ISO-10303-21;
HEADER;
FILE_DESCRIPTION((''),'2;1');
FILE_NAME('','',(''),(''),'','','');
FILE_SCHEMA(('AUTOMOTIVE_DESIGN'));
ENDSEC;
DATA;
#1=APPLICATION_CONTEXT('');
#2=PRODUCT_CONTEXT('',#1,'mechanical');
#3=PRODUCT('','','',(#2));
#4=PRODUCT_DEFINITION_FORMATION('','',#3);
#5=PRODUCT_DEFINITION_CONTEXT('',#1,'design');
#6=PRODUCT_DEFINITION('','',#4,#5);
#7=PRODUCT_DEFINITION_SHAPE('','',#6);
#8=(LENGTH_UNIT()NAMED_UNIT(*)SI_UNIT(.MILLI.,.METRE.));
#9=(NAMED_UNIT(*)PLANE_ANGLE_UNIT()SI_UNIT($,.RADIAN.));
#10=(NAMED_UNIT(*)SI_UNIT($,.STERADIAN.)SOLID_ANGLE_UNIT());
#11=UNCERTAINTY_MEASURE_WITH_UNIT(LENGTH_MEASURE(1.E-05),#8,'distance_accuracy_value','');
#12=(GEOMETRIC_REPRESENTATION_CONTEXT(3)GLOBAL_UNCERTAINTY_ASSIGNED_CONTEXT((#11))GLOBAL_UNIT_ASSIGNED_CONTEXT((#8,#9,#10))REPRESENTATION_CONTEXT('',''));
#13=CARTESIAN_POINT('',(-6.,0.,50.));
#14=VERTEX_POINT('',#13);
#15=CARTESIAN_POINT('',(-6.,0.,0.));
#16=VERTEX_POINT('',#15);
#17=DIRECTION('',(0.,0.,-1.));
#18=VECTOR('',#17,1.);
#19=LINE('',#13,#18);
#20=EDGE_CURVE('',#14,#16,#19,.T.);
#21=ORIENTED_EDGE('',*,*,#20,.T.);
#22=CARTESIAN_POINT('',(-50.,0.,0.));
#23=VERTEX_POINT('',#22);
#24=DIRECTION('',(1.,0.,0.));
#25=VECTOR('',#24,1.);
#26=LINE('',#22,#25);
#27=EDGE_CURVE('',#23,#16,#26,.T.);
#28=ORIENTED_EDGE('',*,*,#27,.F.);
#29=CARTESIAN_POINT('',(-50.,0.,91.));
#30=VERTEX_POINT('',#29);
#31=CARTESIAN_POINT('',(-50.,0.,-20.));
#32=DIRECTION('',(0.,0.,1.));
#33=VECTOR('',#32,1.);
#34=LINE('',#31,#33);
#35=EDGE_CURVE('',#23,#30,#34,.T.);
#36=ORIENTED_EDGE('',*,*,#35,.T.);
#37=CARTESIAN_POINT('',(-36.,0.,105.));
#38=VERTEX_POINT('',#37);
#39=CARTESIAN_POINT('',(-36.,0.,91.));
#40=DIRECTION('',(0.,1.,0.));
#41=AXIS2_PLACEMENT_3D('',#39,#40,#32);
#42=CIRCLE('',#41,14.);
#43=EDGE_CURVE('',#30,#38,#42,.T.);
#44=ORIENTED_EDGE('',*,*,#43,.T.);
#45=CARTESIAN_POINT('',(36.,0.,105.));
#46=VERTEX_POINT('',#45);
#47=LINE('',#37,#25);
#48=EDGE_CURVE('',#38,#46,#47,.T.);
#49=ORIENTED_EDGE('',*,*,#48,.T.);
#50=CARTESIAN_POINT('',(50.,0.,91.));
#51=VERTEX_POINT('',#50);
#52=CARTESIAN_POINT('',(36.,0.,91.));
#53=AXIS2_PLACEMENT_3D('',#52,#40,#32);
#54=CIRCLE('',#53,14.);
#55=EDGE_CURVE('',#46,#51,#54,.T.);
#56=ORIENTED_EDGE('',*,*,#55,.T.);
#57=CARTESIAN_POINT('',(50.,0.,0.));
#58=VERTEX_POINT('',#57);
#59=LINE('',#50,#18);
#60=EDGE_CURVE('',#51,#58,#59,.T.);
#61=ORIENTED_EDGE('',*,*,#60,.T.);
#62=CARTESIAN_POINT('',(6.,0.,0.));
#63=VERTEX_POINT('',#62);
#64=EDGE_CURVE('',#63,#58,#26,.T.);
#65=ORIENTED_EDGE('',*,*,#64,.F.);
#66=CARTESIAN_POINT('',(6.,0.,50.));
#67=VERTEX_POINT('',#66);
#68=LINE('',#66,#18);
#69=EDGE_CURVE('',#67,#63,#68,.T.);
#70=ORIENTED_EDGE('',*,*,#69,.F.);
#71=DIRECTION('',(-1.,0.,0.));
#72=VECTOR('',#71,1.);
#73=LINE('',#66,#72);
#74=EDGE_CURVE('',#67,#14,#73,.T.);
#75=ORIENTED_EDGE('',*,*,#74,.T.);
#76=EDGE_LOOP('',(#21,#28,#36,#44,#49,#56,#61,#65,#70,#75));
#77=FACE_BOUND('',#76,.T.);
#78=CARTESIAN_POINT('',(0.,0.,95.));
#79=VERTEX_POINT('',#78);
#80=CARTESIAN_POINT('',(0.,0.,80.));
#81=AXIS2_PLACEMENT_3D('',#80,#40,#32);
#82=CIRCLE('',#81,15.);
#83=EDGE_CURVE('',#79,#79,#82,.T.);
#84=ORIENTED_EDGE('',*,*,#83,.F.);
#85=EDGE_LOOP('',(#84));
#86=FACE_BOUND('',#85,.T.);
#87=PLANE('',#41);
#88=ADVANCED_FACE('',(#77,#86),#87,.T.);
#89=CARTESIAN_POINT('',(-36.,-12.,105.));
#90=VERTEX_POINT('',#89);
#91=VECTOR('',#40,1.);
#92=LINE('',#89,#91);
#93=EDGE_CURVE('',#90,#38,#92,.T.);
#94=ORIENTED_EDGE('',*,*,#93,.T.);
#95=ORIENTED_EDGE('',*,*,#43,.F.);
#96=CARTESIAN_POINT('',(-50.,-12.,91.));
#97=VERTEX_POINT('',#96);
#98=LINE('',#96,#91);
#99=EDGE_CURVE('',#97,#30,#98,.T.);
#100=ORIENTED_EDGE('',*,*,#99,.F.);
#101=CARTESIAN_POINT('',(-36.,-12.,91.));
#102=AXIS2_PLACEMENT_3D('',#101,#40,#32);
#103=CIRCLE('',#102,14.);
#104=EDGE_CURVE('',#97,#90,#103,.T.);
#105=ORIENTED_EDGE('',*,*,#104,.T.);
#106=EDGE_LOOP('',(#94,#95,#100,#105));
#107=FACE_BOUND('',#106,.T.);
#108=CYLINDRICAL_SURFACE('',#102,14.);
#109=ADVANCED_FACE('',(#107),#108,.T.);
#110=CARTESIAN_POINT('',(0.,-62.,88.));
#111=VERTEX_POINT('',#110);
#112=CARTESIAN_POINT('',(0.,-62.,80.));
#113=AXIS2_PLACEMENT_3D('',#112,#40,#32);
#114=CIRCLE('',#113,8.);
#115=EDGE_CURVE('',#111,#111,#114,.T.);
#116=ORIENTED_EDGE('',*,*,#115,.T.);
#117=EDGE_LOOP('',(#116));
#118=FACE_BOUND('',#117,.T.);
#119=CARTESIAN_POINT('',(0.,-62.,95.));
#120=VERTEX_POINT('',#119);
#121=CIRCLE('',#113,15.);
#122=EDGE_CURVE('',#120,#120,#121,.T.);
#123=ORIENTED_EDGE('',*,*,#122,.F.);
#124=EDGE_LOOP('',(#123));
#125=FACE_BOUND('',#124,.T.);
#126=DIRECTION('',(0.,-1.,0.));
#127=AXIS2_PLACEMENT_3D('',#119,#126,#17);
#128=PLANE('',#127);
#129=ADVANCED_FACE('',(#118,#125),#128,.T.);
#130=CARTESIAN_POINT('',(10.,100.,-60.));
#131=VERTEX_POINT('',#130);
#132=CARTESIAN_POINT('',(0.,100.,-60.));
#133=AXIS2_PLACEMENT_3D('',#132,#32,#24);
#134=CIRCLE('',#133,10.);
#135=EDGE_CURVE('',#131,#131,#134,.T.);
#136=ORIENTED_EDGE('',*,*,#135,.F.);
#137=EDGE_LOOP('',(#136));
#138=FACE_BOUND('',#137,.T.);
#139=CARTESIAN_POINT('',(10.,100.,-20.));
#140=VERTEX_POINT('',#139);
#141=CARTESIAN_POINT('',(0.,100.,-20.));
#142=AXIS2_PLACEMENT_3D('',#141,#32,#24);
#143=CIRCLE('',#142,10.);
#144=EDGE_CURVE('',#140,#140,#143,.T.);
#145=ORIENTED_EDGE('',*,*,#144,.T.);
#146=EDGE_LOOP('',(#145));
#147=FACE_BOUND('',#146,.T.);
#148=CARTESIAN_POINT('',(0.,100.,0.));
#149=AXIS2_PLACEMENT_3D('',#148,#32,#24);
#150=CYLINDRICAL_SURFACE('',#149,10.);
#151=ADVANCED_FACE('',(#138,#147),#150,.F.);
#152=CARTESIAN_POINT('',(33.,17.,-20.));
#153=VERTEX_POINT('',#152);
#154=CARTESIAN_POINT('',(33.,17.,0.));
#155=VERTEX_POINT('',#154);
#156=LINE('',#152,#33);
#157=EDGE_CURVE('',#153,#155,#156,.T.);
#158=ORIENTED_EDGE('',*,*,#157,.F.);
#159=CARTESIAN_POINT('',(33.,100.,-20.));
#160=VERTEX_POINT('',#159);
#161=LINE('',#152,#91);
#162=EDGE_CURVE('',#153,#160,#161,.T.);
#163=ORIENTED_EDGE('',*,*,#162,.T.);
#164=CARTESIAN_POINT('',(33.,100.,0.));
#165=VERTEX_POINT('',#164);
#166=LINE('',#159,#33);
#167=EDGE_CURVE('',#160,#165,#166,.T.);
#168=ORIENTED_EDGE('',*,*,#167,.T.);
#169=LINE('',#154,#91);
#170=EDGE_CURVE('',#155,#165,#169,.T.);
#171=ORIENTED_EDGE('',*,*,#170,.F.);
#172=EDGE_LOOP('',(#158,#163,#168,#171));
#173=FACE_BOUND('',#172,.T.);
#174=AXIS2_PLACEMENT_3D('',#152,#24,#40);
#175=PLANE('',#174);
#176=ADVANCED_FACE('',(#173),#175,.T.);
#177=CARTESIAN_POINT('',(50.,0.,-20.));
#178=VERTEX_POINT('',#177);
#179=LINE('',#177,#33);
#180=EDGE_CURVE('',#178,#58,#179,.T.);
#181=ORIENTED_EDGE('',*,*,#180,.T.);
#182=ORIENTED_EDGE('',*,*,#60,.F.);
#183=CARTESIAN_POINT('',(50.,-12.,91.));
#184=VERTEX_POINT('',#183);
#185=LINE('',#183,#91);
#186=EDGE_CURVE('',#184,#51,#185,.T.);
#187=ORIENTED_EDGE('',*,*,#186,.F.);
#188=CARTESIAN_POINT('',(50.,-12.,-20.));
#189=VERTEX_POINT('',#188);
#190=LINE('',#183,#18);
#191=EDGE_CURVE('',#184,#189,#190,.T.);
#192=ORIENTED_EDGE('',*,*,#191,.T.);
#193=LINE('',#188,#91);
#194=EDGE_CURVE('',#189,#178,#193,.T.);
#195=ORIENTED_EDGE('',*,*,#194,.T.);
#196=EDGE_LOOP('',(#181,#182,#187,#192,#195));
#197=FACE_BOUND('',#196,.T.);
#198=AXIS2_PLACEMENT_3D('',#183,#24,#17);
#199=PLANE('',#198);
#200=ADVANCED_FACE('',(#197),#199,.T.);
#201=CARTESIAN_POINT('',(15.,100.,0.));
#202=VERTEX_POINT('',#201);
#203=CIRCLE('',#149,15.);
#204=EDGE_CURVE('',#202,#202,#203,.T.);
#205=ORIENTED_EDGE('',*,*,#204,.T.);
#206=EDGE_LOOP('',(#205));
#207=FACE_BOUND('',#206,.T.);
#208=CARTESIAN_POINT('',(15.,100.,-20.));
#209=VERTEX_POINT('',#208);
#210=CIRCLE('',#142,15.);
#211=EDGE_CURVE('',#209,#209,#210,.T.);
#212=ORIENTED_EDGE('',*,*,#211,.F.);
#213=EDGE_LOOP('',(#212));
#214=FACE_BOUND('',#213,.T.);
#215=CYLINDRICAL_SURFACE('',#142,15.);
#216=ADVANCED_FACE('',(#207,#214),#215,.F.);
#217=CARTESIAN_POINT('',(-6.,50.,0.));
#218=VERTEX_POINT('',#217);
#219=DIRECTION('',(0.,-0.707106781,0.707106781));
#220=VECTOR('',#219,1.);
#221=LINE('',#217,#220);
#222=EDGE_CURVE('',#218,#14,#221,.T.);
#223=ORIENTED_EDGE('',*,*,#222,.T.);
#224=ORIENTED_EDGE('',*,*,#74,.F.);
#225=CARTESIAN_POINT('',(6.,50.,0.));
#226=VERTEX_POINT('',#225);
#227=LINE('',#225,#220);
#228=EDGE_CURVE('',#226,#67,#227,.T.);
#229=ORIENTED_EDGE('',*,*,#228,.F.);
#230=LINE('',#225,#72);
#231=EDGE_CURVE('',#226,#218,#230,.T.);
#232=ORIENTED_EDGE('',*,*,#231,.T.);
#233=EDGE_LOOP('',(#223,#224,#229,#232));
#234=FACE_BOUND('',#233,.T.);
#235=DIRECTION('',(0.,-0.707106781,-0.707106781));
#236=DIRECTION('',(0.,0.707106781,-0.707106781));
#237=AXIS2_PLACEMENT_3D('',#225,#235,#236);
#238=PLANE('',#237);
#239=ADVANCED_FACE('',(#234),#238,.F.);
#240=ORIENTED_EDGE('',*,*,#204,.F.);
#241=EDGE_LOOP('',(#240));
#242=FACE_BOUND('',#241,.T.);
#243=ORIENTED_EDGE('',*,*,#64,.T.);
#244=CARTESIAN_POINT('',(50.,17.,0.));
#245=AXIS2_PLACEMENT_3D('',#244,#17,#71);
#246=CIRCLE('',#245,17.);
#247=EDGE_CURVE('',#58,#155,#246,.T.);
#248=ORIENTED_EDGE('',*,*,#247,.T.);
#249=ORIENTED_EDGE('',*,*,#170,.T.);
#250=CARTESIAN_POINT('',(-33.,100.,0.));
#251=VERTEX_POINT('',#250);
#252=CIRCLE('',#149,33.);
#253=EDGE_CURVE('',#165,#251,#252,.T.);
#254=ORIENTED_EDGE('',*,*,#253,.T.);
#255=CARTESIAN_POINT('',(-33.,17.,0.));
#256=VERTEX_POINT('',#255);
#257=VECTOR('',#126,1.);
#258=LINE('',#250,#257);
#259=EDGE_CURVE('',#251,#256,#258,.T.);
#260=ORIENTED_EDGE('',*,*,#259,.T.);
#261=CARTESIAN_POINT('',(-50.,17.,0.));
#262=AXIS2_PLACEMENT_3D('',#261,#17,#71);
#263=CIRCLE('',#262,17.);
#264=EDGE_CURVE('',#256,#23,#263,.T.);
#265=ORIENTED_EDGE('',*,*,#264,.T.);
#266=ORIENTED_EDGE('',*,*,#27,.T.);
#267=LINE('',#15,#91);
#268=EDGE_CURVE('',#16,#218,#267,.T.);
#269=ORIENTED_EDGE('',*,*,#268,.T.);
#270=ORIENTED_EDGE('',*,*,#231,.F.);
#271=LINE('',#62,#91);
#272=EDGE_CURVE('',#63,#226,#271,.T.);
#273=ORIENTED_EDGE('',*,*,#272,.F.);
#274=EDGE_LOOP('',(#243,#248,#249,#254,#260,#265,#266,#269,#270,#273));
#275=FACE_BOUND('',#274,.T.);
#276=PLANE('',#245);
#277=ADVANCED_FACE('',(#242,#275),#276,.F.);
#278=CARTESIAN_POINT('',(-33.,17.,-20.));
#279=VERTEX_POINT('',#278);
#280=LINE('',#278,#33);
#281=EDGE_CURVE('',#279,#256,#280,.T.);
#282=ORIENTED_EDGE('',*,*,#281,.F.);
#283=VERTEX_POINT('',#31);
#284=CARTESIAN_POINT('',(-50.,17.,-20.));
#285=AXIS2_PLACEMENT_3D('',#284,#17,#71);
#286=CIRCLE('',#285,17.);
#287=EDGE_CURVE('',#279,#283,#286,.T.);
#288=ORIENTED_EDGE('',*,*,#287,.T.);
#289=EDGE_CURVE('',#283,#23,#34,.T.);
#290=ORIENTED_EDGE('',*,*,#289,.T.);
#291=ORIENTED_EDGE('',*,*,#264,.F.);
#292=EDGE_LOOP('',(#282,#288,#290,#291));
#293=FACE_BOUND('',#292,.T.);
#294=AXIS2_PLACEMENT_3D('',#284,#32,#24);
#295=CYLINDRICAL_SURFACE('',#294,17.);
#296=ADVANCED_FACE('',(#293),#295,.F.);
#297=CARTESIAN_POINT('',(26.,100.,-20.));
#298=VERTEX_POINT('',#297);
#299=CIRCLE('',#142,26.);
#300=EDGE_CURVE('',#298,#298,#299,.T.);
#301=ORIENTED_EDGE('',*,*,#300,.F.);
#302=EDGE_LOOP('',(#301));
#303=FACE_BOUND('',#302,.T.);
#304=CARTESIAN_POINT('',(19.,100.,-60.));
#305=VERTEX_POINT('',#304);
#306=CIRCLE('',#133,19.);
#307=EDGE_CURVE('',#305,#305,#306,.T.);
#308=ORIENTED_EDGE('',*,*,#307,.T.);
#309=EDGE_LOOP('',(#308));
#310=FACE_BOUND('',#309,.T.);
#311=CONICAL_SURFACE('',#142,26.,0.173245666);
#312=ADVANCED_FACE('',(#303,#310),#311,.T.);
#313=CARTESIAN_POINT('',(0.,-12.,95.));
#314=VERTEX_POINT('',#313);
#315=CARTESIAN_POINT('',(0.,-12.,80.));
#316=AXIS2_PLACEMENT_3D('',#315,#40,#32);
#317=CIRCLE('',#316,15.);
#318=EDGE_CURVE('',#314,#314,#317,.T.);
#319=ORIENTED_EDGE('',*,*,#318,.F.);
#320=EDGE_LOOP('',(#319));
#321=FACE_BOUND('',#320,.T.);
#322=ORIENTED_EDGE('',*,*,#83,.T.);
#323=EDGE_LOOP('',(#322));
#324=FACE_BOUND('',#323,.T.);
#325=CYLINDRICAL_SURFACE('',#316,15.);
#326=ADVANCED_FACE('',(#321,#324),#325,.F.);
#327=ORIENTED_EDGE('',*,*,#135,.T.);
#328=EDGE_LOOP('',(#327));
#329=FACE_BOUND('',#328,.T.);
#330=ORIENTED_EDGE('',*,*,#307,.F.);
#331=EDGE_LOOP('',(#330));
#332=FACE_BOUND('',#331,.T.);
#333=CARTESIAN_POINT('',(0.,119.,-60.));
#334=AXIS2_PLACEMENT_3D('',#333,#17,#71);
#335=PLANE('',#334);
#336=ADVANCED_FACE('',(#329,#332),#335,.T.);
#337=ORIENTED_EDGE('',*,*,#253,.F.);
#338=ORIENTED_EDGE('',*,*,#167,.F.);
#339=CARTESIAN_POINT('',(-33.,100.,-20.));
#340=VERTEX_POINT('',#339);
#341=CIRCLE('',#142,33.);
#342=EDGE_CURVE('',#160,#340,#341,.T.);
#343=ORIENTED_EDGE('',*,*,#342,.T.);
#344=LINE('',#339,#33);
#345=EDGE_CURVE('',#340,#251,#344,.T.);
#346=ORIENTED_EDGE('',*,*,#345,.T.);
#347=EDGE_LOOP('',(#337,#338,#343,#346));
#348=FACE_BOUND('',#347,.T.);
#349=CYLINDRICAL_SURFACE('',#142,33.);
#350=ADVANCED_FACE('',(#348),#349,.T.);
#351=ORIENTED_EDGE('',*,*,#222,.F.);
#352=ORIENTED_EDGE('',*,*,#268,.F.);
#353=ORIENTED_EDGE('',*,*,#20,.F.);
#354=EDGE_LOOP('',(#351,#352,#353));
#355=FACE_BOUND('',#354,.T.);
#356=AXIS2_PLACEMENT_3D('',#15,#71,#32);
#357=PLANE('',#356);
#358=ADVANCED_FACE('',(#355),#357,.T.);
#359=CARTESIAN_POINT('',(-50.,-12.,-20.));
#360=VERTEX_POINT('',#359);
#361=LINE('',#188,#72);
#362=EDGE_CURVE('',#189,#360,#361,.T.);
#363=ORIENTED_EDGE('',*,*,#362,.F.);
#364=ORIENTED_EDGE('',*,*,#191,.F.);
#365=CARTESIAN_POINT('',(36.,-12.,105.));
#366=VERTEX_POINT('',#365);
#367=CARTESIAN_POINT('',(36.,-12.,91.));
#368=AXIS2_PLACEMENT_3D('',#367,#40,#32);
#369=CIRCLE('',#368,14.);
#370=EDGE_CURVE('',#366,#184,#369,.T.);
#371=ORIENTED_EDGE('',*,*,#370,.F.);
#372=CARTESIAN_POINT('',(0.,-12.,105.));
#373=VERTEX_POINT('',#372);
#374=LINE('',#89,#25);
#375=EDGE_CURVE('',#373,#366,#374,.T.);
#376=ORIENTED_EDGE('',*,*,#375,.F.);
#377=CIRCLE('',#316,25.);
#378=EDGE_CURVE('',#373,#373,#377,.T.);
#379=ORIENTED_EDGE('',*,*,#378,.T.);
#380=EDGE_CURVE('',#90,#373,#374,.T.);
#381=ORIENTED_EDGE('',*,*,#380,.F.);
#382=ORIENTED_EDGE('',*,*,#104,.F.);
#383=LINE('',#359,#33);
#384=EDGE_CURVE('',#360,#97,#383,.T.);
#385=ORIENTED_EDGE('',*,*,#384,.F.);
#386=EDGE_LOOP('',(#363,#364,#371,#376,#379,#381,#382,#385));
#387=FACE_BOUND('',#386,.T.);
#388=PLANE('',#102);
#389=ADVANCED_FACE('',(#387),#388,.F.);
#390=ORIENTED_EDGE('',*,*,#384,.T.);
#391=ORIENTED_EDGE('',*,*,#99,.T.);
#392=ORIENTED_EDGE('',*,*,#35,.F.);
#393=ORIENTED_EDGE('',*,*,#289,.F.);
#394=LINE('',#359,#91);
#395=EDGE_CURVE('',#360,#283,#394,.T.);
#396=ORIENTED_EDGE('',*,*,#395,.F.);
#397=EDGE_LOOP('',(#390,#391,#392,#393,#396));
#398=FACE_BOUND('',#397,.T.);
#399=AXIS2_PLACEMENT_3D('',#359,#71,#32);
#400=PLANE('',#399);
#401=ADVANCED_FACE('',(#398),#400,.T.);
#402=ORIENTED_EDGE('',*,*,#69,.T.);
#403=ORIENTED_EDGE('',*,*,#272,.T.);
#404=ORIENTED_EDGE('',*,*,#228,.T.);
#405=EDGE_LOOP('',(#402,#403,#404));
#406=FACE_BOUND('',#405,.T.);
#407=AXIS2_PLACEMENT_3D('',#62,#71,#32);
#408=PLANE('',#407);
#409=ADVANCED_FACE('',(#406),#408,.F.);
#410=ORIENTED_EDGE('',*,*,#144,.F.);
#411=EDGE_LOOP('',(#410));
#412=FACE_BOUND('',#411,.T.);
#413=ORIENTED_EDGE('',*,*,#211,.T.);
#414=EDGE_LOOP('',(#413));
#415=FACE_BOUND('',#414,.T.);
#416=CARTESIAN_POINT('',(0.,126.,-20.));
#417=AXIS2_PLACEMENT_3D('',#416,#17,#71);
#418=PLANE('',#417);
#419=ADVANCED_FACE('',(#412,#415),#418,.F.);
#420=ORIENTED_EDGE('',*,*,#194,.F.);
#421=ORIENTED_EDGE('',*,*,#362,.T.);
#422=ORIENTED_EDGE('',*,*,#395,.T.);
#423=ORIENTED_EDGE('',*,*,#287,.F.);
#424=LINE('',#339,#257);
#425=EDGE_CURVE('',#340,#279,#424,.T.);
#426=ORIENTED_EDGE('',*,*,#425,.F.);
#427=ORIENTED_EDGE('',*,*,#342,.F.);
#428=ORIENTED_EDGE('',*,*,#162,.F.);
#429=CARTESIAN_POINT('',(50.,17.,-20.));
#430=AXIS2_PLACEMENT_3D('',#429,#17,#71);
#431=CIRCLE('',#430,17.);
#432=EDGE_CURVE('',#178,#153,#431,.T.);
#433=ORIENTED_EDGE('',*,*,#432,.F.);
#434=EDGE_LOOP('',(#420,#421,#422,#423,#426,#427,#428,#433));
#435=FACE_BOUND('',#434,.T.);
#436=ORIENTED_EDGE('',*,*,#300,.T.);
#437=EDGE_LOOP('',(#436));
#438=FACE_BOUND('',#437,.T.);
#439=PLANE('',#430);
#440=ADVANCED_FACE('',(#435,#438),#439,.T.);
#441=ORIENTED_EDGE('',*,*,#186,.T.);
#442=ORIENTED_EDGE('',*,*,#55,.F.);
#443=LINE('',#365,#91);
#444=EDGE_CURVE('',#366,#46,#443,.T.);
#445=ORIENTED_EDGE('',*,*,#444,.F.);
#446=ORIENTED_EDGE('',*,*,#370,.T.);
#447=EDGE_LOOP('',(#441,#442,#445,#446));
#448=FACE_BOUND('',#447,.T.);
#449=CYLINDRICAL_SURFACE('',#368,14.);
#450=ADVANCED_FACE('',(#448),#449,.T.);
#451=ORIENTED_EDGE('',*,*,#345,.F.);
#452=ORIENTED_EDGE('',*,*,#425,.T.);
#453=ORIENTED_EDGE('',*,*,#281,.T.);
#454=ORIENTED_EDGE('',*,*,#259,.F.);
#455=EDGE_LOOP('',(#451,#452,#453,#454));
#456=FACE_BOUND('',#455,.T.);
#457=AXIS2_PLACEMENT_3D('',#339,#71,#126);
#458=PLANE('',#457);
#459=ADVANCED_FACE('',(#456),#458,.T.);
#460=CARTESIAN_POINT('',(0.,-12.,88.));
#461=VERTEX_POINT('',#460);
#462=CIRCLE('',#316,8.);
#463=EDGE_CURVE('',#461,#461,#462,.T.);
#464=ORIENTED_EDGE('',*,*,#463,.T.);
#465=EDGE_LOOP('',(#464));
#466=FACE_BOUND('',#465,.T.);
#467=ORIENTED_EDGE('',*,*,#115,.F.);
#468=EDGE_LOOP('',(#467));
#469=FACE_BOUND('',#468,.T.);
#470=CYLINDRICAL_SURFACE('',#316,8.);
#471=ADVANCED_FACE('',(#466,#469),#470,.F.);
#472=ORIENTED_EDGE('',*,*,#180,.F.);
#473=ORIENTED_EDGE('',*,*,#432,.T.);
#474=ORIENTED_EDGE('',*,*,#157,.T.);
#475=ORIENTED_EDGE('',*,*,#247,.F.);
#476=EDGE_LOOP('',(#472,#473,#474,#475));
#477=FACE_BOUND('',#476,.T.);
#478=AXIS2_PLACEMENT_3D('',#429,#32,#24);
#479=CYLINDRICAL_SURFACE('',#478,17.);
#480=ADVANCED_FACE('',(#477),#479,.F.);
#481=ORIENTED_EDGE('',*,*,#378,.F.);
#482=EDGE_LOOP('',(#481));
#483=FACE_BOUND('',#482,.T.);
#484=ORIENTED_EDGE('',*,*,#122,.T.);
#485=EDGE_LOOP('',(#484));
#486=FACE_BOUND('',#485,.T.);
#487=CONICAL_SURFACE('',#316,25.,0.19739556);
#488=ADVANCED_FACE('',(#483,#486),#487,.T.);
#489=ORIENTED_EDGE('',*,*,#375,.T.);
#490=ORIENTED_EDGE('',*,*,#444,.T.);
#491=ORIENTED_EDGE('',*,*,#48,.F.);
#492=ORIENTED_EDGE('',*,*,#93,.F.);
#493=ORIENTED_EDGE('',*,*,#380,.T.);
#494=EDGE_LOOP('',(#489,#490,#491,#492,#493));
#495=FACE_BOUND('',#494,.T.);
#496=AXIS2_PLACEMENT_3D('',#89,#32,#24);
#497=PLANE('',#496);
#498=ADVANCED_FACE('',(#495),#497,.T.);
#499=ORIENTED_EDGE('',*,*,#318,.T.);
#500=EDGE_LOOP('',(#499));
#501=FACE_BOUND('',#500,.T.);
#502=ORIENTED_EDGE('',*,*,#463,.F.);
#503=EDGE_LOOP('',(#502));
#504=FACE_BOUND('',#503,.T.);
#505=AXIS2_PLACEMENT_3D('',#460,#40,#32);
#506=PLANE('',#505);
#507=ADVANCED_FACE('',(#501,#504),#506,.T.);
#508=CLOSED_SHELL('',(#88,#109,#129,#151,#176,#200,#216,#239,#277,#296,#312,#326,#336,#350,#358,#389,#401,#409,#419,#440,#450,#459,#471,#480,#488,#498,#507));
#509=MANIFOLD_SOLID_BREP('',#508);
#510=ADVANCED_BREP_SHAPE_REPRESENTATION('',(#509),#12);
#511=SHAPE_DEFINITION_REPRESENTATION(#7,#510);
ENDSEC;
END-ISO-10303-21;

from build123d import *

# Parameters (mm, degrees)
CROQUIS1_R              = 15
SALIENTE_EXTRUIR1_DEPTH = 20
CROQUIS2_R              = 15
SALIENTE_EXTRUIR2_DEPTH = 12
SALIENTE_EXTRUIR3_DEPTH = 6


with BuildPart() as part:
    # Croquis1 → Saliente-Extruir1 (new body)
    with BuildSketch(Plane.XY):
        with BuildLine():
            Line((-50, 0), (50, 0))
            ThreePointArc((50, 0), (37.97918472, 4.97918472), (33, 17))
            Line((33, 17), (33, 100))
            ThreePointArc((33, 100), (0, 133), (-33, 100))
            Line((-33, 100), (-33, 17))
            ThreePointArc((-33, 17), (-37.97918472, 4.97918472), (-50, 0))
        make_face()
        with Locations((0, 100)):
            Circle(CROQUIS1_R, mode=Mode.SUBTRACT)
    extrude(amount=-SALIENTE_EXTRUIR1_DEPTH)

    # Croquis2 → Saliente-Extruir2 (add)
    with BuildSketch(Plane(origin=(0, 0, 0), x_dir=(1, 0, 0), z_dir=(0, 1, 0))):
        with BuildLine():
            Line((-50, 20), (-50, -91))
            ThreePointArc((-50, -91), (-45.899494937, -100.899494937), (-36, -105))
            Line((-36, -105), (36, -105))
            ThreePointArc((36, -105), (45.899494937, -100.899494937), (50, -91))
            Line((50, -91), (50, 20))
            Line((50, 20), (-50, 20))
        make_face()
        with Locations((0, -80)):
            Circle(CROQUIS2_R, mode=Mode.SUBTRACT)
    extrude(amount=-SALIENTE_EXTRUIR2_DEPTH)

    # Croquis3 → Saliente-Extruir3 (add, symmetric)
    with BuildSketch(Plane(origin=(0, 0, 0), x_dir=(0, 0, -1), z_dir=(1, 0, 0))):
        Polygon((0, 50), (-50, 0), (0, 0), align=None)
    extrude(amount=SALIENTE_EXTRUIR3_DEPTH, both=True)

    # Croquis5 → Revolución1 (revolve)
    with BuildSketch(Plane(origin=(0, 0, 0), x_dir=(0, 0, -1), z_dir=(1, 0, 0))):
        Polygon((20, 126), (60, 119), (60, 110), (20, 110), align=None)
    revolve(axis=Axis((0, 100, 0), (0, 0, -1)))

    # Croquis6 → Revolución2 (revolve)
    with BuildSketch(Plane(origin=(0, 0, 0), x_dir=(0, 0, -1), z_dir=(1, 0, 0))):
        Polygon((-105, -12), (-95, -62), (-88, -62), (-88, -12), align=None)
    revolve(axis=Axis((0, -12, 80), (0, -1, 0)))


solid = part.part
